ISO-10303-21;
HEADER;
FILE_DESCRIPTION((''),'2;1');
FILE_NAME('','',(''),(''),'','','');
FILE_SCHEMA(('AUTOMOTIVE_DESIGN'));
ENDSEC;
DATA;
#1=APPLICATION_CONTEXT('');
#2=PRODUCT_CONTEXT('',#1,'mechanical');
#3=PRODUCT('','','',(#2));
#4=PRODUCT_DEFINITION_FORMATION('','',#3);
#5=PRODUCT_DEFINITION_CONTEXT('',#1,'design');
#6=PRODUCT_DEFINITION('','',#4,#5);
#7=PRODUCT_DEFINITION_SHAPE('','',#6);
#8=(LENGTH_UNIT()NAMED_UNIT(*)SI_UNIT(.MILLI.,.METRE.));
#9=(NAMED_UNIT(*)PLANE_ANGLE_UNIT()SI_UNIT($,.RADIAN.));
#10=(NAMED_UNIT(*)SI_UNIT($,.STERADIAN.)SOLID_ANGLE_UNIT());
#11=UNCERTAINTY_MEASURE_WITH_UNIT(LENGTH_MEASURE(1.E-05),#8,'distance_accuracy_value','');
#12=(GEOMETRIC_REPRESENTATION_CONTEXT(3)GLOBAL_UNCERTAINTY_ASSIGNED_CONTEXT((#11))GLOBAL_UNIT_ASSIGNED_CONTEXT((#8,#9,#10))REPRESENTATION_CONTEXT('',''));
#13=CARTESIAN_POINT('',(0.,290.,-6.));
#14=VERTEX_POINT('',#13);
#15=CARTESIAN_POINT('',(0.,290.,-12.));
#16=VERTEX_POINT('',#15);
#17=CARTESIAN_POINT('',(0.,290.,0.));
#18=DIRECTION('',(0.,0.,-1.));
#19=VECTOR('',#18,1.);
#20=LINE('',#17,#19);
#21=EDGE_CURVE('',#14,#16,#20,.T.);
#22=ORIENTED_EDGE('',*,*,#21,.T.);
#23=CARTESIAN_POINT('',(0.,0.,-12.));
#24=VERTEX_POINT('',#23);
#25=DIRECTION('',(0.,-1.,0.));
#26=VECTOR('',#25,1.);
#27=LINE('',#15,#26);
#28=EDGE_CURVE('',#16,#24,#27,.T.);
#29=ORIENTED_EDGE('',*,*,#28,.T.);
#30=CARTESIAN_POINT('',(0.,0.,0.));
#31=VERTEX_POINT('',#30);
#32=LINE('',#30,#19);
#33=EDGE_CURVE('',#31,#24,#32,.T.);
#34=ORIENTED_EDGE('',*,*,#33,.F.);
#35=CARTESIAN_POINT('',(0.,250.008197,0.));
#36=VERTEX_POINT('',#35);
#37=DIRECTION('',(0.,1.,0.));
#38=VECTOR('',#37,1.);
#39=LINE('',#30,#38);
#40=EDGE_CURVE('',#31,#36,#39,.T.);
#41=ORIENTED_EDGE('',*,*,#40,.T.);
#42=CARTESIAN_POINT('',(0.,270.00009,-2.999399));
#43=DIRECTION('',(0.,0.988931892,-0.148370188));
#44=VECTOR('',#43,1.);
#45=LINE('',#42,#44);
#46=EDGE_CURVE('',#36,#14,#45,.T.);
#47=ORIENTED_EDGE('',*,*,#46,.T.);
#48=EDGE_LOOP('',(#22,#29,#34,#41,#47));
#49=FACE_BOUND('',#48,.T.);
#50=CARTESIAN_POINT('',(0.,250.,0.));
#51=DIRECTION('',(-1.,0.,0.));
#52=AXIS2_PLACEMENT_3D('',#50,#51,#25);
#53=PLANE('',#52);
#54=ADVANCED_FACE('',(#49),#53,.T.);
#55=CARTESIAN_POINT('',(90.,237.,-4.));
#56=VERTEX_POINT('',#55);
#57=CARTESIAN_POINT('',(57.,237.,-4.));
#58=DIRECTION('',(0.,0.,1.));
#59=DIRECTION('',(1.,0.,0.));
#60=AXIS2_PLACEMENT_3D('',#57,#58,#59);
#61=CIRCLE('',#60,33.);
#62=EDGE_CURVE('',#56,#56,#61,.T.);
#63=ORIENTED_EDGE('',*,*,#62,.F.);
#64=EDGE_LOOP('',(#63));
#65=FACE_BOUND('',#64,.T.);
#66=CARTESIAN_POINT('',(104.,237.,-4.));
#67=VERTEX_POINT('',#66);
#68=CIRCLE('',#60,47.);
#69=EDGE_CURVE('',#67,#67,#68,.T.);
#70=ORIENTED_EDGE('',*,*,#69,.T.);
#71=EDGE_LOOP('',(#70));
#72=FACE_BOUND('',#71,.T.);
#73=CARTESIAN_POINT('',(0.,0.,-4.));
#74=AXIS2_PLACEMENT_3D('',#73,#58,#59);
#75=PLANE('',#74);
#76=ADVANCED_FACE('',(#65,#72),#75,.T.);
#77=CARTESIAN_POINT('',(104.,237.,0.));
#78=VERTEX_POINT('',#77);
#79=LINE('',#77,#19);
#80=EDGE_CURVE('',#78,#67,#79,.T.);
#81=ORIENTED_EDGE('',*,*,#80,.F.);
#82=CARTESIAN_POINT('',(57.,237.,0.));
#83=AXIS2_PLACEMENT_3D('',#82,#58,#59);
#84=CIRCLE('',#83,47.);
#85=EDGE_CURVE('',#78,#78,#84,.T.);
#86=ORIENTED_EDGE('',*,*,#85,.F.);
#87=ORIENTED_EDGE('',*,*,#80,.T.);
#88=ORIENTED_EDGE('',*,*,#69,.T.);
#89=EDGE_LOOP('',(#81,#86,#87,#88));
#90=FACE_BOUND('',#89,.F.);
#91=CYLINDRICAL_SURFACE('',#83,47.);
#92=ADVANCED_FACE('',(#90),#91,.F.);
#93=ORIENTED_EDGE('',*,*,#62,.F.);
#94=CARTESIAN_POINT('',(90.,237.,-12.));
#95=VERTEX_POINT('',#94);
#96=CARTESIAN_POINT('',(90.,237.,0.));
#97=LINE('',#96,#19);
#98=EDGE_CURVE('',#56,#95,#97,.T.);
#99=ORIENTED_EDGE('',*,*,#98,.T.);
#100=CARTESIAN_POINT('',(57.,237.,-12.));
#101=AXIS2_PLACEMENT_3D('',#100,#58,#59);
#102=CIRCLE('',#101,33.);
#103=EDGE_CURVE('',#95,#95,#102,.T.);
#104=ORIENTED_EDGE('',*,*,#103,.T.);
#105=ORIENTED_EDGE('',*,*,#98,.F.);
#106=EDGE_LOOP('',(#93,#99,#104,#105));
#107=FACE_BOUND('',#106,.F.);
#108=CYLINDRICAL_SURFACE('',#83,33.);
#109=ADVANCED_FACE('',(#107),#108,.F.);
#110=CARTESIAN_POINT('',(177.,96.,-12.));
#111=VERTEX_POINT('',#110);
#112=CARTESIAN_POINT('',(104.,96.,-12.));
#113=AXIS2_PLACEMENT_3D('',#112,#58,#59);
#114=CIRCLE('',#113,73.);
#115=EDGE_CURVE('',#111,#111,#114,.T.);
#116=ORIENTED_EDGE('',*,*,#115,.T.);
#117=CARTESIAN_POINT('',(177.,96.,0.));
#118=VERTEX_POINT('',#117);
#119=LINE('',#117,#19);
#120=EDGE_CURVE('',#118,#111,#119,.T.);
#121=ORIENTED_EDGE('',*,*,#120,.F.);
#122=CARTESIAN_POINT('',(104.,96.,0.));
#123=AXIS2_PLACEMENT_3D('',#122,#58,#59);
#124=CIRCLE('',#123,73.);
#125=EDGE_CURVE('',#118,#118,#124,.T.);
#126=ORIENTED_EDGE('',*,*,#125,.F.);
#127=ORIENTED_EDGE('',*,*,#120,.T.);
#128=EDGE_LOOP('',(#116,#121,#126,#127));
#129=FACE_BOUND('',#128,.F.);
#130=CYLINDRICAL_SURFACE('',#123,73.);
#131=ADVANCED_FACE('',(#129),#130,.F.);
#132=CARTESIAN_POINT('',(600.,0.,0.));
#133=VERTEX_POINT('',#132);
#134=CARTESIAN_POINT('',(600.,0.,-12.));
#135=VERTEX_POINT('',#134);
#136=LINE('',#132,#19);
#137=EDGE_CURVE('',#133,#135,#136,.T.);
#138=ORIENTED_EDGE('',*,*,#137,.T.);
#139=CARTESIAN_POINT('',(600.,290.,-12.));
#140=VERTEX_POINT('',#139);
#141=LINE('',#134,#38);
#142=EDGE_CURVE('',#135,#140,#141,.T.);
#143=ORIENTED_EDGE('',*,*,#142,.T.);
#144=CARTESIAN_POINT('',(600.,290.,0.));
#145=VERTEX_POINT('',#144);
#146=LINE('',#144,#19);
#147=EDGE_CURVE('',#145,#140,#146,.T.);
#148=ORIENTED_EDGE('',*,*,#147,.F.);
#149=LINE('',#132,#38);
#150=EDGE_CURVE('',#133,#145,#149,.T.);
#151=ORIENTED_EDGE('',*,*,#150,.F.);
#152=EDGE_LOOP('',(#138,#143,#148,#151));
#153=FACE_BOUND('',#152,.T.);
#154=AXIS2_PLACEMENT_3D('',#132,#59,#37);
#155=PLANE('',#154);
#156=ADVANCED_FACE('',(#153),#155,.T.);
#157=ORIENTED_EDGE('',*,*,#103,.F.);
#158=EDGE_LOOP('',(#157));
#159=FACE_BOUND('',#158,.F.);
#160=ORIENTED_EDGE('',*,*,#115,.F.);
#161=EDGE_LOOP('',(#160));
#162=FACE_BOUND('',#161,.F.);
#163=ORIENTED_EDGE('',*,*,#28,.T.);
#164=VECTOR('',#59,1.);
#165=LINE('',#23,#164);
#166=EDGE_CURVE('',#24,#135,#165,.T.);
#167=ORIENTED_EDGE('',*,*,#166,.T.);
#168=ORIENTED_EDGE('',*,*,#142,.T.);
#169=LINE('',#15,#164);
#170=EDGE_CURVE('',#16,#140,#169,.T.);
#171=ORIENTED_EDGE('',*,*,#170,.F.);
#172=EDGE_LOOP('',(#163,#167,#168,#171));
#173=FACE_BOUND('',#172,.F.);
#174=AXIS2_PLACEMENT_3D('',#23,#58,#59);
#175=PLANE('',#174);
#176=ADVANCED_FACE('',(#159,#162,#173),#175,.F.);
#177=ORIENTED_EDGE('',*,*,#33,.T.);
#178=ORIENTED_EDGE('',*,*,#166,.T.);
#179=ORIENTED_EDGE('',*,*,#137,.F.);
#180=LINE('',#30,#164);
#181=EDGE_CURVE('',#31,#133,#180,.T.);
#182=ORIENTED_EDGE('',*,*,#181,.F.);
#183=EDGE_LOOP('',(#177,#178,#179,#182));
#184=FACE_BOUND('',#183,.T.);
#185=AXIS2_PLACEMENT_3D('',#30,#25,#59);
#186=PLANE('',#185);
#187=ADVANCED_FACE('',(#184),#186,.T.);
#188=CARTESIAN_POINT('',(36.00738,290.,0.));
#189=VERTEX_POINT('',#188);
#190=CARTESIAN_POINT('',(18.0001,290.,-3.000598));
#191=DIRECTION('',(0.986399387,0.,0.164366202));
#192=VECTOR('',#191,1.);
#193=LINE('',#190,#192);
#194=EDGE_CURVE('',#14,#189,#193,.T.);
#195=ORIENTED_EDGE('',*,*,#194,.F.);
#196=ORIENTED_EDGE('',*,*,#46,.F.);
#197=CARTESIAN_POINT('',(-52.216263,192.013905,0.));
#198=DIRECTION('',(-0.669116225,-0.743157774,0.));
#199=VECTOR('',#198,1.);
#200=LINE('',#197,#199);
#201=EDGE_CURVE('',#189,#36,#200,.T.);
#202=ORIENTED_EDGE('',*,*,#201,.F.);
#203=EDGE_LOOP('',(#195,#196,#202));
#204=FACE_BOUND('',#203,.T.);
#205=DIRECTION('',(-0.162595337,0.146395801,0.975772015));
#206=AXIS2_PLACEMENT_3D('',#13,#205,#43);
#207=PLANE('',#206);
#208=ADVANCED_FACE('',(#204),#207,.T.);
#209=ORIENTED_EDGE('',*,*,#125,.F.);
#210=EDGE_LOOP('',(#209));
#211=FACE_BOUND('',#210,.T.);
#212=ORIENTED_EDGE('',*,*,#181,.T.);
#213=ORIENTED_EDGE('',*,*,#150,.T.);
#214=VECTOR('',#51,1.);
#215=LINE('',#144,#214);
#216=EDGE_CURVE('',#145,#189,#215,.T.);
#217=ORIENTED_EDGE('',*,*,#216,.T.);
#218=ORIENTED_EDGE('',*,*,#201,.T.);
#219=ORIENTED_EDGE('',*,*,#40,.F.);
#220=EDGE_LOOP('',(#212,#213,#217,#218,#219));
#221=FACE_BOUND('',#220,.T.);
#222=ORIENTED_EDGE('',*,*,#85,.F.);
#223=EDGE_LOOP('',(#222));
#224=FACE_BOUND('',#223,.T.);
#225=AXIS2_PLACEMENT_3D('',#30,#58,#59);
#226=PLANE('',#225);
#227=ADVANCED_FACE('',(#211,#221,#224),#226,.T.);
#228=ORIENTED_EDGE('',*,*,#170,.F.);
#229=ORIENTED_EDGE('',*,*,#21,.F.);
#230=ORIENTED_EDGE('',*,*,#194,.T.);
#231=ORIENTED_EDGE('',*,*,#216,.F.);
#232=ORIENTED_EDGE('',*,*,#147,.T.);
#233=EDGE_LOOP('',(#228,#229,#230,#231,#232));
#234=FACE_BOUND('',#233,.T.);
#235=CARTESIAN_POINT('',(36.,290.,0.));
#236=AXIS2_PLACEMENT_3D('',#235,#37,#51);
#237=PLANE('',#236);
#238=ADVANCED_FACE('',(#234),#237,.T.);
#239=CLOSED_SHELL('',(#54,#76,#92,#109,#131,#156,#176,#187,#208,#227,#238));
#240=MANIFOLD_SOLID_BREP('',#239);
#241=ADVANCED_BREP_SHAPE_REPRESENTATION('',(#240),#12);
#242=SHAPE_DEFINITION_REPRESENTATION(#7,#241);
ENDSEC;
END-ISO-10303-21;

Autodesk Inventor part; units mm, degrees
ref_plane "YZ Plane" through (0, 0, 0) normal (1, 0, 0) x (0, 1, 0)
ref_plane "XZ Plane" through (0, 0, 0) normal (0, 1, 0) x (-1, 0, 0)
sketch "Front0" plane through (0, 0, 0) normal (0, 0, 1) x (1, 0, 0)
  line L0 (0, 0) -> (600, 0)
  line L1 (600, 0) -> (600, 290)
  line L2 (600, 290) -> (0, 290)
  line L3 (0, 290) -> (0, 0)
  circle A0 centre (104, 96) radius 73
  circle A1 centre (104, 96) radius 91
  circle A2 centre (57, 237) radius 47
  circle A3 centre (57, 237) radius 33
  line L4 (36, 290) -> (0, 250)
  line L5 (196, 290) -> (196, 0) construction
  point P0 (47.17, 0)
  point P1 (0, 87)
  dimension "d0" = 600
  dimension "d1" = 290
  dimension "d2" = 146
  dimension "d3" = 182
  dimension "d4" = 94
  dimension "d5" = 66
  dimension "d17" = 96
  dimension "d36" = 104
  dimension "d37" = 57
  dimension "d38" = 53
  dimension "d40" = 92
  dimension "d24" = 146
  dimension "d25" = 182
extrude "Выдавливание2" add sketch "Front0" against normal blind 12 contours L3 L4 L2 L1 L0 | L3 L2 L4 | A1 | A2
ref_plane "РабПлоскость9" through (0, 290, -6) normal (0.1626, -0.1464, -0.9758) x (0.9864, 0, 0.1644)
split "Разделение5" plane through (0, 290, -6) removes the side toward (-0.1626, 0.1464, 0.9758)
extrude "Выдавливание7" cut sketch "Front0" against normal blind 4 contours A2
properties part number "Front_L"
